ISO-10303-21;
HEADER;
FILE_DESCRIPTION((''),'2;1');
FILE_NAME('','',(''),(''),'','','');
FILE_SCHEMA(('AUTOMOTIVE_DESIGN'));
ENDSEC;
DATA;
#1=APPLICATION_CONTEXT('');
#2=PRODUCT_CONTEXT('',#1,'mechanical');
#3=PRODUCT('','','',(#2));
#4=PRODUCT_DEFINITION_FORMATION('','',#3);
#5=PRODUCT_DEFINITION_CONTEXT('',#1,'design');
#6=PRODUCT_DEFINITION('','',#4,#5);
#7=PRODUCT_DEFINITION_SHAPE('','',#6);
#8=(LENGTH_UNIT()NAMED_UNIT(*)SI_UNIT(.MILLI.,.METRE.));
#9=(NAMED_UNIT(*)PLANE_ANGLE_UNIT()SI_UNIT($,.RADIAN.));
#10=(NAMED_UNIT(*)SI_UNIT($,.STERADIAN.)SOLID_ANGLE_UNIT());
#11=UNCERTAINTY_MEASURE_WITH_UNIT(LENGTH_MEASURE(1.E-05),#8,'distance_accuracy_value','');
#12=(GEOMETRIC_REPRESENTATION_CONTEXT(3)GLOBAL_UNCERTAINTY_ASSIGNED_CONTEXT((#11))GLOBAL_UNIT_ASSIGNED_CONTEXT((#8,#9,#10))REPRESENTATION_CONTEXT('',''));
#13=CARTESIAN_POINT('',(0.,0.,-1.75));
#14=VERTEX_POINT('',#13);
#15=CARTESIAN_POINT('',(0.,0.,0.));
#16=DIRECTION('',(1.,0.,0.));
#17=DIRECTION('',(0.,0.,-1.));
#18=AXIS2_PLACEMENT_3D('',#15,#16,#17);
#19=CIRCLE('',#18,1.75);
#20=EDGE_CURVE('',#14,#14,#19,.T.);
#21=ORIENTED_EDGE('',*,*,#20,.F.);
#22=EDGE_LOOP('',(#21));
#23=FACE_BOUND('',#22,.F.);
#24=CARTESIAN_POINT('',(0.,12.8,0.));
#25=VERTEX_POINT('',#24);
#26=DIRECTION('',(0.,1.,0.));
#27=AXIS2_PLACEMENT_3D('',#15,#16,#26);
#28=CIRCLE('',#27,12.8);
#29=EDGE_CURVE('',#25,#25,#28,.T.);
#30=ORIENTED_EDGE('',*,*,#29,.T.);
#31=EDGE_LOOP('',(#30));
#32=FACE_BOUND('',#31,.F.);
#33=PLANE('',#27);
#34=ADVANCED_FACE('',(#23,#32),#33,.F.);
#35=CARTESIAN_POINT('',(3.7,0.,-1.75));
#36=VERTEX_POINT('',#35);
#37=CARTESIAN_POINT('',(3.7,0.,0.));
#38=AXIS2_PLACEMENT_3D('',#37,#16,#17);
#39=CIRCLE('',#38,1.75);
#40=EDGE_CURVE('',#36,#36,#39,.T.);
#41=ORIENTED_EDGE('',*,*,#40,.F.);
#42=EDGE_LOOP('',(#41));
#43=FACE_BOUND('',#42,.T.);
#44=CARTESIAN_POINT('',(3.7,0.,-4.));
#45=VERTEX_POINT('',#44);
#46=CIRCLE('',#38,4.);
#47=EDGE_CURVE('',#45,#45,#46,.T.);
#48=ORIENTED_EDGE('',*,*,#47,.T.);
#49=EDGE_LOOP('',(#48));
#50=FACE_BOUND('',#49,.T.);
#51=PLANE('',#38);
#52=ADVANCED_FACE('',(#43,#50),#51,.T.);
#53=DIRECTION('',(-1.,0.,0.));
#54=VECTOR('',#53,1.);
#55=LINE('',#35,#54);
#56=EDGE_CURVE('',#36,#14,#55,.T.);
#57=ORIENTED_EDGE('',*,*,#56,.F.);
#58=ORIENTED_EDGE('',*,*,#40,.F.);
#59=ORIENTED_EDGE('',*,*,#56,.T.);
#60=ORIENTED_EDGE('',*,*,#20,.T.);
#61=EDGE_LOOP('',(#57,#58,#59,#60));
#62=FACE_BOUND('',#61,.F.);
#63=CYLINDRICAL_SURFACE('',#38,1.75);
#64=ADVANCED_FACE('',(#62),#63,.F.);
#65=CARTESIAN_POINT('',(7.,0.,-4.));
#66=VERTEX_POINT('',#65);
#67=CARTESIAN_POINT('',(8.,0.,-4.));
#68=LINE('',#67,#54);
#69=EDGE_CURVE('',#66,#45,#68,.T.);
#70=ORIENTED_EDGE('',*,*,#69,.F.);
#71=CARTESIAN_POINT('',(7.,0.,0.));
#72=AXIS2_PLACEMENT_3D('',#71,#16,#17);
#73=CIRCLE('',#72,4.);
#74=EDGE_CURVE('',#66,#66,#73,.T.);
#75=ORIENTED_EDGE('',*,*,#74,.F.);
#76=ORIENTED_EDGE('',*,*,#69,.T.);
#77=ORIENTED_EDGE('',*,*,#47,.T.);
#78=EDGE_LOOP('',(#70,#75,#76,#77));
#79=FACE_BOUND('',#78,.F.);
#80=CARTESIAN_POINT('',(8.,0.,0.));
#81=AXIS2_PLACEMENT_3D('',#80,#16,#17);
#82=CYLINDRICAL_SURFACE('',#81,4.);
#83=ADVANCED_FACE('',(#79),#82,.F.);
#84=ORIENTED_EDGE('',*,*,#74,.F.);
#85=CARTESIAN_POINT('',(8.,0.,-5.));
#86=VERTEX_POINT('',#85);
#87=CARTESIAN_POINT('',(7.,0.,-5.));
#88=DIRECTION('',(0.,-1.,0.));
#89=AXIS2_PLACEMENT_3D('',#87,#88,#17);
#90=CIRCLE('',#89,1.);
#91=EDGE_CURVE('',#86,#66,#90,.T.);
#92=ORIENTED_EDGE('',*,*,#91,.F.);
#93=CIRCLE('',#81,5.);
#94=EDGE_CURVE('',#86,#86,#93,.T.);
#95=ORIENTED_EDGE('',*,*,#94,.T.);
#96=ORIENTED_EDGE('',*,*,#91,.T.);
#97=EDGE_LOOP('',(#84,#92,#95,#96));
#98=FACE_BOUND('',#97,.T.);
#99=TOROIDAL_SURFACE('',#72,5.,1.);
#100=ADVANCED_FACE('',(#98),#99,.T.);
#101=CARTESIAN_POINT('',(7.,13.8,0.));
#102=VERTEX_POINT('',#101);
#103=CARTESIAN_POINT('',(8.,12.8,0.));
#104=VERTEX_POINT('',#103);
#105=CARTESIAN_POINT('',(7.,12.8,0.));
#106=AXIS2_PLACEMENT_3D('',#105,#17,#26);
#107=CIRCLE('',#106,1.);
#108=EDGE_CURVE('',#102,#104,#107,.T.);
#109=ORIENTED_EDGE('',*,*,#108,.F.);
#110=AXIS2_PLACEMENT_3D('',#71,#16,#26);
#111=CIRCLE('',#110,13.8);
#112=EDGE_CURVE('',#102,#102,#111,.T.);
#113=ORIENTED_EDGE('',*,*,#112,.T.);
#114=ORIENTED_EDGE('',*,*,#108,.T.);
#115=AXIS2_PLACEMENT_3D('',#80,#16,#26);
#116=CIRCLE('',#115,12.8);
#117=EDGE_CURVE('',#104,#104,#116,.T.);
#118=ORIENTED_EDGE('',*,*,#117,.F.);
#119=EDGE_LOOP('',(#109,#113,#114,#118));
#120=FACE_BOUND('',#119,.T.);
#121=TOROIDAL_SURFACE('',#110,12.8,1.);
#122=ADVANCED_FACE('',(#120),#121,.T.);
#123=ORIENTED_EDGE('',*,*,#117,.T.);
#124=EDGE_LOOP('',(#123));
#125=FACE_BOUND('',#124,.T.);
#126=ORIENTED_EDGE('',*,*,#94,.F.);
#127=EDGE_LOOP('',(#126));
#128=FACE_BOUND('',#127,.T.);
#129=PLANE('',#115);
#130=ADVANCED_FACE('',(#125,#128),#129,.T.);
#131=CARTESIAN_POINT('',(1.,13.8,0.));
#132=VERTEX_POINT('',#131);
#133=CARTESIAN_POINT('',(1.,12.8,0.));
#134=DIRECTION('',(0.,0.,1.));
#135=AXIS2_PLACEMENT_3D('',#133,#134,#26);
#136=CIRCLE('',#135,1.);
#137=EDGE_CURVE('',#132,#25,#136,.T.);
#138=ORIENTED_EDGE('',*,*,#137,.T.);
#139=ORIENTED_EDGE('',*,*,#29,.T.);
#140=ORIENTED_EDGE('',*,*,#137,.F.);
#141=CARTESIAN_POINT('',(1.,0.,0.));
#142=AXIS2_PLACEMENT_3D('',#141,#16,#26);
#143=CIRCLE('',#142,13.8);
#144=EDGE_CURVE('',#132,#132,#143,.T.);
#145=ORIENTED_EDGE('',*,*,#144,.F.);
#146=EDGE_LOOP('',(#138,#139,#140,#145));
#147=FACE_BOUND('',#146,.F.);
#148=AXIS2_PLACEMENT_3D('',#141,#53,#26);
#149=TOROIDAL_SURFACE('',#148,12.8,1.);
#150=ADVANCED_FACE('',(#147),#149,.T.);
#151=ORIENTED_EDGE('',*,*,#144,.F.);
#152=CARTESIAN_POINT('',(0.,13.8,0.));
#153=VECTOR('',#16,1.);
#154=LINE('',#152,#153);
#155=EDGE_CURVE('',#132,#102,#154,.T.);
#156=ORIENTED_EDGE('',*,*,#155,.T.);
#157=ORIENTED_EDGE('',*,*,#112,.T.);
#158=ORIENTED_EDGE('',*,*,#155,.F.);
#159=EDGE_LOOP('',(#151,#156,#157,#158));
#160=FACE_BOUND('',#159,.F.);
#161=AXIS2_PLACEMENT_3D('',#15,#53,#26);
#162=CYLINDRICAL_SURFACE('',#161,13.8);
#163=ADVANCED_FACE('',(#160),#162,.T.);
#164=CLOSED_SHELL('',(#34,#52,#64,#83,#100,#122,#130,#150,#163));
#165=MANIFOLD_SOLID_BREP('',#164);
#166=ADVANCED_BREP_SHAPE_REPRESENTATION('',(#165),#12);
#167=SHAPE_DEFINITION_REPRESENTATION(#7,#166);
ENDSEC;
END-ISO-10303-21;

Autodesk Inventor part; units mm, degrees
ref_plane "YZ Plane" through (0, 0, 0) normal (1, 0, 0) x (0, 1, 0)
ref_plane "XZ Plane" through (0, 0, 0) normal (0, 1, 0) x (-1, 0, 0)
ref_plane "XY Plane" through (0, 0, 0) normal (0, 0, 1) x (1, 0, 0)
sketch "Esquisse1" plane through (0, 0, 0) normal (1, 0, 0) x (0, 1, 0)
  circle A0 centre (0, 0) radius 13.8
  dimension "d0" = 27.6
extrude "Extrusion1" add sketch "Esquisse1" along normal blind 8
sketch "Esquisse4" plane through (8, 0, 0) normal (1, 0, 0) x (0, 0, -1)
  circle A0 centre (0, 0) radius 4
  dimension "d13" = 8
extrude "Extrusion4" cut sketch "Esquisse4" against normal blind 4.3
sketch "Esquisse5" plane through (3.7, 0, 0) normal (1, 0, 0) x (0, 0, -1)
  circle A0 centre (0, 0) radius 1.75
  dimension "d16" = 3.5
extrude "Extrusion5" cut sketch "Esquisse5" against normal blind 4.3
fillet "Congé4" radius 1 3 edges at (8, 0, 4) (0, -13.8, 0) (8, -13.8, 0)
properties part number "roue_Impression 3D"
